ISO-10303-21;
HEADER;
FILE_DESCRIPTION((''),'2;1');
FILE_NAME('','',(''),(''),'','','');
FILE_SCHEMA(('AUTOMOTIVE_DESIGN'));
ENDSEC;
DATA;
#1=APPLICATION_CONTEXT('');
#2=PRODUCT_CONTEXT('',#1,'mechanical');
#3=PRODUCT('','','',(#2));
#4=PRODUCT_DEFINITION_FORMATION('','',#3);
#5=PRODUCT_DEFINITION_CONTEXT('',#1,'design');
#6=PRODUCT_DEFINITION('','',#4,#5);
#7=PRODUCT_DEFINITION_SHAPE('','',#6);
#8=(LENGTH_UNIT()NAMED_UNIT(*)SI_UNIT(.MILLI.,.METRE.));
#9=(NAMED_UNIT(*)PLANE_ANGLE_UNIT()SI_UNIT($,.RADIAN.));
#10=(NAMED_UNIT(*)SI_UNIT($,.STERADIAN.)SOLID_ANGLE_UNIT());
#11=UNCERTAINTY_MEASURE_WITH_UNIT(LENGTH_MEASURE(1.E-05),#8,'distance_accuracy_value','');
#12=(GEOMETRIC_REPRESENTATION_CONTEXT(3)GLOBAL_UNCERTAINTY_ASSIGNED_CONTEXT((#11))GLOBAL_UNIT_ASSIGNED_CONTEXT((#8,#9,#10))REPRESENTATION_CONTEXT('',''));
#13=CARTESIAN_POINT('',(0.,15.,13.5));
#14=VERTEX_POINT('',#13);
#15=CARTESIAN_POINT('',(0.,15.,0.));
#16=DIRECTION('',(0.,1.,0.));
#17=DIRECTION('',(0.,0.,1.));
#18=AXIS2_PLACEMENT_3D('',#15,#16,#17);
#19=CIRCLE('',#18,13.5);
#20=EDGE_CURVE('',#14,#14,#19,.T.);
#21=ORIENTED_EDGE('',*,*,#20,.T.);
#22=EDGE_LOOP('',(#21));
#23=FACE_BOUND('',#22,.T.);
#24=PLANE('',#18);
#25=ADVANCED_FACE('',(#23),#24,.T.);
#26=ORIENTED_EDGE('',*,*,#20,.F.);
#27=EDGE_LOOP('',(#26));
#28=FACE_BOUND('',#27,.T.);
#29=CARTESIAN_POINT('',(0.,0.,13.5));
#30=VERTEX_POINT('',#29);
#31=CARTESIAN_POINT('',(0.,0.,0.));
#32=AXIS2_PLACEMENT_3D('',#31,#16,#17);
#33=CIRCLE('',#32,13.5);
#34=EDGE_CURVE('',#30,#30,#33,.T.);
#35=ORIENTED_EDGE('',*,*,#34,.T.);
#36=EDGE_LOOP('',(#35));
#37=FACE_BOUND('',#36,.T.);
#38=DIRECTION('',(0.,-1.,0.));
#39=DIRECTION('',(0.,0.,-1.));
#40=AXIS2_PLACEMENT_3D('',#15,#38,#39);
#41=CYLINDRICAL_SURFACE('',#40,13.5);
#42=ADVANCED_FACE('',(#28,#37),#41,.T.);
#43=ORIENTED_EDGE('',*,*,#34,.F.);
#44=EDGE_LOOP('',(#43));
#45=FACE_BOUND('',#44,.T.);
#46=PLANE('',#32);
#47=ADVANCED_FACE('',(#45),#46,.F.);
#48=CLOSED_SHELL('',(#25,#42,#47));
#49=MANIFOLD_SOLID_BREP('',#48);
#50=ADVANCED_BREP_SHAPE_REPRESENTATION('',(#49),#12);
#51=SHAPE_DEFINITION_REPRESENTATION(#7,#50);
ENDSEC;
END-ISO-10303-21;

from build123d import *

# Parameters (mm, degrees)
SKETCH1_R           = 13.5
BOSS_EXTRUDE1_DEPTH = 15


with BuildPart() as part:
    # Sketch1 → Boss-Extrude1 (new body)
    with BuildSketch(Plane(origin=(0, 0, 0), x_dir=(1, 0, 0), z_dir=(0, 1, 0))):
        Circle(SKETCH1_R)
    extrude(amount=BOSS_EXTRUDE1_DEPTH)


solid = part.part
